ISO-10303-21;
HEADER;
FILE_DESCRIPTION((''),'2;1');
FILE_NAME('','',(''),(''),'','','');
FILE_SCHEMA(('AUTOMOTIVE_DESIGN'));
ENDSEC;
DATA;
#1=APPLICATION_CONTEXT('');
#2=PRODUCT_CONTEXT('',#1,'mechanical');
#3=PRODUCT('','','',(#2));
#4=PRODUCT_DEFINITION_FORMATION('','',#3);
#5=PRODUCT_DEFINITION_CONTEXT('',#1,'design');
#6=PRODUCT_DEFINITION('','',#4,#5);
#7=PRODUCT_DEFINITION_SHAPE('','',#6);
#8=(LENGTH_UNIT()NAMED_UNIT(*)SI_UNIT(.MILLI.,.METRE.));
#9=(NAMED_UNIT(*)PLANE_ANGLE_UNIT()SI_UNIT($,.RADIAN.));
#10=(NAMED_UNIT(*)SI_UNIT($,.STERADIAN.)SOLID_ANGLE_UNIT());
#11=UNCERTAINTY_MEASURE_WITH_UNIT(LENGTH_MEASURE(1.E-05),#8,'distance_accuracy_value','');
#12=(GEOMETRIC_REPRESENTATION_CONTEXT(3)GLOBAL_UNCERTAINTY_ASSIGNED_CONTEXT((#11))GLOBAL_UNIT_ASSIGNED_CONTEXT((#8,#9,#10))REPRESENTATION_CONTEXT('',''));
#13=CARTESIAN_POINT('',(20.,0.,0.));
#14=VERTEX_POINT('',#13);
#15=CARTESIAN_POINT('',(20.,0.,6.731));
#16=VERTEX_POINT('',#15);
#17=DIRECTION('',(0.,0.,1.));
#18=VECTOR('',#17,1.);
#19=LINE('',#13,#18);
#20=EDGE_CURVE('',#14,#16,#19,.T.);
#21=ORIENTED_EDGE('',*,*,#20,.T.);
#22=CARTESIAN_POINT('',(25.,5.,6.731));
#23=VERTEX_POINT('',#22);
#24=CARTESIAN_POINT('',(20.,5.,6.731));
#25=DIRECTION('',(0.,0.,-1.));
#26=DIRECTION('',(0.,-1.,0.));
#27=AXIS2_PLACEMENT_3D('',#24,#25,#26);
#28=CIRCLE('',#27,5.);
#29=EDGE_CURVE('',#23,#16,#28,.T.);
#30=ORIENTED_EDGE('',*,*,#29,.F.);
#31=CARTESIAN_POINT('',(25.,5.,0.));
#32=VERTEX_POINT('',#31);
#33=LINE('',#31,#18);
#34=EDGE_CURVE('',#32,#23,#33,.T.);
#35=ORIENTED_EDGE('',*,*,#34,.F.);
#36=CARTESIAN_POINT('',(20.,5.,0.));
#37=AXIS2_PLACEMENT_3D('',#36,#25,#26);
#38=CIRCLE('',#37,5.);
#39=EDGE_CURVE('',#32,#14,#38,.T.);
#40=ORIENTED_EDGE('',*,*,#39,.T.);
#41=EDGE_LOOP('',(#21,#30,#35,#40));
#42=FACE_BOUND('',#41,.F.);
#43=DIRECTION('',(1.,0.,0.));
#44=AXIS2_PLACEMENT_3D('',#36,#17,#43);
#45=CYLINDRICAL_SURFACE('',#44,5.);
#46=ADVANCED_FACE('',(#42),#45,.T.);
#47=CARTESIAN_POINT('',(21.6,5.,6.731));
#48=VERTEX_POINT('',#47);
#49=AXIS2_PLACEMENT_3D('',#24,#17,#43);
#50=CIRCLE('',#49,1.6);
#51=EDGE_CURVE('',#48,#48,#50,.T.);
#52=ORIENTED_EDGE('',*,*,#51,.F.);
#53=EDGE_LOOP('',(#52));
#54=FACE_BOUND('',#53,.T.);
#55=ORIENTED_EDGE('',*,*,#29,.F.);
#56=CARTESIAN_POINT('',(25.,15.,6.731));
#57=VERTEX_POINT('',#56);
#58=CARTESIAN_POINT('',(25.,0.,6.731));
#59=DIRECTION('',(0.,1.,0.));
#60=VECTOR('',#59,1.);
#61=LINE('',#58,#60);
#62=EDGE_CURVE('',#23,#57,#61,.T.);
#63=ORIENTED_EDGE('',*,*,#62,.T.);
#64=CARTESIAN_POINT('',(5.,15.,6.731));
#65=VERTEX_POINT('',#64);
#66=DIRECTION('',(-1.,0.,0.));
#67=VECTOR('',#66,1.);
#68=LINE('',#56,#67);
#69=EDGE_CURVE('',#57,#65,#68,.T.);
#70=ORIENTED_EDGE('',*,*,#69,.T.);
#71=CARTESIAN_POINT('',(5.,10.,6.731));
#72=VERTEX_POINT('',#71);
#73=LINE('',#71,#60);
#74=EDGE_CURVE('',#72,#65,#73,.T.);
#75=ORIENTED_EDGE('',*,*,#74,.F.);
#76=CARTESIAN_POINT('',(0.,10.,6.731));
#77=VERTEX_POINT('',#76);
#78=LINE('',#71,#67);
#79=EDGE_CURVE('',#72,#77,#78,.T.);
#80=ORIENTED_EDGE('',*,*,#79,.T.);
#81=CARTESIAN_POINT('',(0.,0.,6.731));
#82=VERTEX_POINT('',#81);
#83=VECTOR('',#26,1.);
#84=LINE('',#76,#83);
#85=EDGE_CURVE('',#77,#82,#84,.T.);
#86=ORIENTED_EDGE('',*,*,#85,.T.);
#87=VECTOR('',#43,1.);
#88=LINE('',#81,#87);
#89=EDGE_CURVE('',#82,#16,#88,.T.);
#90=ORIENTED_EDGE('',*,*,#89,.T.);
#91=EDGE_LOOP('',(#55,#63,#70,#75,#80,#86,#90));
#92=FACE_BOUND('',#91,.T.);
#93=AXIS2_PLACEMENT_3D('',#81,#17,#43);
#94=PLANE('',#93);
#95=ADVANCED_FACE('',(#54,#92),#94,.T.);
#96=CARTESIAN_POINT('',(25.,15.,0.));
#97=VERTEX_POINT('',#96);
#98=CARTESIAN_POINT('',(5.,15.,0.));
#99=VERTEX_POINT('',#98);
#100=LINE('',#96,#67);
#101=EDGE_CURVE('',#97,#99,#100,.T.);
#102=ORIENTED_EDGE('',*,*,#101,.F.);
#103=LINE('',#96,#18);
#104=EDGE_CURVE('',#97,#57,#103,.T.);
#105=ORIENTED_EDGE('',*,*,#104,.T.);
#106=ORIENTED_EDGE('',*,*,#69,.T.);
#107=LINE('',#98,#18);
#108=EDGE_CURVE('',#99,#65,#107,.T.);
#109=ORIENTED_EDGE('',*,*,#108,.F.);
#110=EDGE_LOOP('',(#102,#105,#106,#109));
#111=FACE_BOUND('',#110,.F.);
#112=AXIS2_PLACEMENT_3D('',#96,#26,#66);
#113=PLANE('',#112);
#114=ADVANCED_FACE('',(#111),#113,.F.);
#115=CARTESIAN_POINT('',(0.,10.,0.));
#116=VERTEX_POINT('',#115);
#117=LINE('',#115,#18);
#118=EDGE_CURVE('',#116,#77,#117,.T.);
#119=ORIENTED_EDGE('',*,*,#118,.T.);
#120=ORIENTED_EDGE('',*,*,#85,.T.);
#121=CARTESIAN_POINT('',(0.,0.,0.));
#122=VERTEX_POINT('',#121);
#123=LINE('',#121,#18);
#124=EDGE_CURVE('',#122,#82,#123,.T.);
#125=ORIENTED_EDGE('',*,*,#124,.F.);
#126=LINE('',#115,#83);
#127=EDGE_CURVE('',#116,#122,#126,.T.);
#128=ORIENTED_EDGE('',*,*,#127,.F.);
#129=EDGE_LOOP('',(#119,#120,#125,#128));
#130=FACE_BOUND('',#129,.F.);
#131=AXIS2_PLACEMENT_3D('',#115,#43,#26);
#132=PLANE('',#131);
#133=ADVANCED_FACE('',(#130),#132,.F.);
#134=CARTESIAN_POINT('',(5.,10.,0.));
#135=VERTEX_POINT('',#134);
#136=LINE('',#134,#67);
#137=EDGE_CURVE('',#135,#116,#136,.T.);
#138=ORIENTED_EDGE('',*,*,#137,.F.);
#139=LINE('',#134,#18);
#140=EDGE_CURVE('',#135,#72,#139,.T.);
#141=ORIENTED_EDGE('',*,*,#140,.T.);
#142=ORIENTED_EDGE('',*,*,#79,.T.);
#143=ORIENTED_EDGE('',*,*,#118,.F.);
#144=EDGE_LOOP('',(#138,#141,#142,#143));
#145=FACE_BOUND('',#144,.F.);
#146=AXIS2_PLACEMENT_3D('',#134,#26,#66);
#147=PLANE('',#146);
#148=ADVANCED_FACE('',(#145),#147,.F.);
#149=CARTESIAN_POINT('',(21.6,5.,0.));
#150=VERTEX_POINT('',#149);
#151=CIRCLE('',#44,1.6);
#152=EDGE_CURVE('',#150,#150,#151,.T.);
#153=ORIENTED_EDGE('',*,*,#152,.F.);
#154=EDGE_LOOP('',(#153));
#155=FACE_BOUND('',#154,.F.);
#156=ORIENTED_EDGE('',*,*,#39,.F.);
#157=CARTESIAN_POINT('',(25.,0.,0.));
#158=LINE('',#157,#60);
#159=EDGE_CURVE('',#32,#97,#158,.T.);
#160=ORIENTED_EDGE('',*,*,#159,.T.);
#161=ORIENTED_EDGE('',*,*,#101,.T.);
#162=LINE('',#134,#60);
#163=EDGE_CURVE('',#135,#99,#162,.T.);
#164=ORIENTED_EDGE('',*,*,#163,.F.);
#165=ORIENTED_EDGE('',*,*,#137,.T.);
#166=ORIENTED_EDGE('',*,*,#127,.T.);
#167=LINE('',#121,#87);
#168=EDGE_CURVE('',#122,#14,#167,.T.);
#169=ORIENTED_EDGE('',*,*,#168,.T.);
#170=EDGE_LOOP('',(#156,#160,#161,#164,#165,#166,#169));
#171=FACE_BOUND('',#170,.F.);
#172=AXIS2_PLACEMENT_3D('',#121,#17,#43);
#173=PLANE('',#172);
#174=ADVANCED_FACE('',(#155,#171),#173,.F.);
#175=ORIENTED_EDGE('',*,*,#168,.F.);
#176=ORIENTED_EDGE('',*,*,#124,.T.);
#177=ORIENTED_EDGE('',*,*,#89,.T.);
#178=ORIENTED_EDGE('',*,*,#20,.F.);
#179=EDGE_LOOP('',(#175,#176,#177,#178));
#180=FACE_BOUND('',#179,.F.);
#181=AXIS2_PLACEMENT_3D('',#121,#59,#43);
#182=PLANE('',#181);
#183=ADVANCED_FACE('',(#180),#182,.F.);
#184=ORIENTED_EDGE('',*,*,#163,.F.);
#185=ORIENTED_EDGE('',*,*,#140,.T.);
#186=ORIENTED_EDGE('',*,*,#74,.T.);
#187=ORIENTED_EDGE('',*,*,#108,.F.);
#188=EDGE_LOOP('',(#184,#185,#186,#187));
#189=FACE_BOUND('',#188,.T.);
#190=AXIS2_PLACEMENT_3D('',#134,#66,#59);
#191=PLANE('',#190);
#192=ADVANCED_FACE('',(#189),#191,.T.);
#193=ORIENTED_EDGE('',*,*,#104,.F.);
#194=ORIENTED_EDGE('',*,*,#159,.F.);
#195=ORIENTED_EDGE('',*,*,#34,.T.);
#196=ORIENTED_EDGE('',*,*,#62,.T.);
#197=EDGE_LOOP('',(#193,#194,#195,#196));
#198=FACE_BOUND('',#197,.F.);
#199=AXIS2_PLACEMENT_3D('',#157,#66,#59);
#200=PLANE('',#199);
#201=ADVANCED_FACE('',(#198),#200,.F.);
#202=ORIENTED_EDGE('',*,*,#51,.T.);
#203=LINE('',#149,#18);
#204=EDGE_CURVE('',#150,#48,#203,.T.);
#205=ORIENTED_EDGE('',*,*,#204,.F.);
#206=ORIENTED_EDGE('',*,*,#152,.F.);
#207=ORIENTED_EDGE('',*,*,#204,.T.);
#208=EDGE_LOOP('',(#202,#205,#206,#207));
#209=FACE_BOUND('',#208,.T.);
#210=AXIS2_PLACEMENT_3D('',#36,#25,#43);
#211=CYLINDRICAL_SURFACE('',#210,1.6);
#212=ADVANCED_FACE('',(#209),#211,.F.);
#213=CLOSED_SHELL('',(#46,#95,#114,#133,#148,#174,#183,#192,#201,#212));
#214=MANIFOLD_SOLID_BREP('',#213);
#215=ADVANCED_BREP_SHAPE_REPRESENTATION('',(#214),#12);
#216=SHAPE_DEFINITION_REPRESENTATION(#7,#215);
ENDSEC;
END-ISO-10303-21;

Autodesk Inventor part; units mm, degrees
ref_plane "YZ Plane" through (0, 0, 0) normal (1, 0, 0) x (0, 1, 0)
ref_plane "XZ Plane" through (0, 0, 0) normal (0, 1, 0) x (-1, 0, 0)
ref_plane "XY Plane" through (0, 0, 0) normal (0, 0, 1) x (1, 0, 0)
sketch "Sketch1" plane through (0, 0, 0) normal (0, 0, 1) x (1, 0, 0)
  line L0 (0, 0) -> (25, 0)
  line L1 (25, 0) -> (25, 15)
  line L2 (25, 15) -> (5, 15)
  circle A0 centre (20, 5) radius 1.6
  line L3 (5, 10) -> (0, 10)
  line L4 (0, 10) -> (0, 0)
  line L5 (5, 10) -> (5, 15)
  dimension "d2" = 3.2
  dimension "d3" = 10
  dimension "d4" = 5
  dimension "d12" = 20
  dimension "d16" = 15
  dimension "d17" = 5
  dimension "d18" = 5
extrude "Extrusion1" add sketch "Sketch1" along normal blind 6.731
fillet "Fillet1" radius 5 1 edges at (25, 0, 3.3655)
equation "\"d18\" = d17"
equation "\"d6\" = THICKB"
equation "\"THICKA\" = 3.175"
equation "\"THICKB\" = 6.731"
equation "\"THICKC\" = 12.7"
equation "\"BALLDIA\" = 12"
equation "\"MAGDIA\" = 9.5"
properties part number "Carriage_Belt_Lock_Flap"
